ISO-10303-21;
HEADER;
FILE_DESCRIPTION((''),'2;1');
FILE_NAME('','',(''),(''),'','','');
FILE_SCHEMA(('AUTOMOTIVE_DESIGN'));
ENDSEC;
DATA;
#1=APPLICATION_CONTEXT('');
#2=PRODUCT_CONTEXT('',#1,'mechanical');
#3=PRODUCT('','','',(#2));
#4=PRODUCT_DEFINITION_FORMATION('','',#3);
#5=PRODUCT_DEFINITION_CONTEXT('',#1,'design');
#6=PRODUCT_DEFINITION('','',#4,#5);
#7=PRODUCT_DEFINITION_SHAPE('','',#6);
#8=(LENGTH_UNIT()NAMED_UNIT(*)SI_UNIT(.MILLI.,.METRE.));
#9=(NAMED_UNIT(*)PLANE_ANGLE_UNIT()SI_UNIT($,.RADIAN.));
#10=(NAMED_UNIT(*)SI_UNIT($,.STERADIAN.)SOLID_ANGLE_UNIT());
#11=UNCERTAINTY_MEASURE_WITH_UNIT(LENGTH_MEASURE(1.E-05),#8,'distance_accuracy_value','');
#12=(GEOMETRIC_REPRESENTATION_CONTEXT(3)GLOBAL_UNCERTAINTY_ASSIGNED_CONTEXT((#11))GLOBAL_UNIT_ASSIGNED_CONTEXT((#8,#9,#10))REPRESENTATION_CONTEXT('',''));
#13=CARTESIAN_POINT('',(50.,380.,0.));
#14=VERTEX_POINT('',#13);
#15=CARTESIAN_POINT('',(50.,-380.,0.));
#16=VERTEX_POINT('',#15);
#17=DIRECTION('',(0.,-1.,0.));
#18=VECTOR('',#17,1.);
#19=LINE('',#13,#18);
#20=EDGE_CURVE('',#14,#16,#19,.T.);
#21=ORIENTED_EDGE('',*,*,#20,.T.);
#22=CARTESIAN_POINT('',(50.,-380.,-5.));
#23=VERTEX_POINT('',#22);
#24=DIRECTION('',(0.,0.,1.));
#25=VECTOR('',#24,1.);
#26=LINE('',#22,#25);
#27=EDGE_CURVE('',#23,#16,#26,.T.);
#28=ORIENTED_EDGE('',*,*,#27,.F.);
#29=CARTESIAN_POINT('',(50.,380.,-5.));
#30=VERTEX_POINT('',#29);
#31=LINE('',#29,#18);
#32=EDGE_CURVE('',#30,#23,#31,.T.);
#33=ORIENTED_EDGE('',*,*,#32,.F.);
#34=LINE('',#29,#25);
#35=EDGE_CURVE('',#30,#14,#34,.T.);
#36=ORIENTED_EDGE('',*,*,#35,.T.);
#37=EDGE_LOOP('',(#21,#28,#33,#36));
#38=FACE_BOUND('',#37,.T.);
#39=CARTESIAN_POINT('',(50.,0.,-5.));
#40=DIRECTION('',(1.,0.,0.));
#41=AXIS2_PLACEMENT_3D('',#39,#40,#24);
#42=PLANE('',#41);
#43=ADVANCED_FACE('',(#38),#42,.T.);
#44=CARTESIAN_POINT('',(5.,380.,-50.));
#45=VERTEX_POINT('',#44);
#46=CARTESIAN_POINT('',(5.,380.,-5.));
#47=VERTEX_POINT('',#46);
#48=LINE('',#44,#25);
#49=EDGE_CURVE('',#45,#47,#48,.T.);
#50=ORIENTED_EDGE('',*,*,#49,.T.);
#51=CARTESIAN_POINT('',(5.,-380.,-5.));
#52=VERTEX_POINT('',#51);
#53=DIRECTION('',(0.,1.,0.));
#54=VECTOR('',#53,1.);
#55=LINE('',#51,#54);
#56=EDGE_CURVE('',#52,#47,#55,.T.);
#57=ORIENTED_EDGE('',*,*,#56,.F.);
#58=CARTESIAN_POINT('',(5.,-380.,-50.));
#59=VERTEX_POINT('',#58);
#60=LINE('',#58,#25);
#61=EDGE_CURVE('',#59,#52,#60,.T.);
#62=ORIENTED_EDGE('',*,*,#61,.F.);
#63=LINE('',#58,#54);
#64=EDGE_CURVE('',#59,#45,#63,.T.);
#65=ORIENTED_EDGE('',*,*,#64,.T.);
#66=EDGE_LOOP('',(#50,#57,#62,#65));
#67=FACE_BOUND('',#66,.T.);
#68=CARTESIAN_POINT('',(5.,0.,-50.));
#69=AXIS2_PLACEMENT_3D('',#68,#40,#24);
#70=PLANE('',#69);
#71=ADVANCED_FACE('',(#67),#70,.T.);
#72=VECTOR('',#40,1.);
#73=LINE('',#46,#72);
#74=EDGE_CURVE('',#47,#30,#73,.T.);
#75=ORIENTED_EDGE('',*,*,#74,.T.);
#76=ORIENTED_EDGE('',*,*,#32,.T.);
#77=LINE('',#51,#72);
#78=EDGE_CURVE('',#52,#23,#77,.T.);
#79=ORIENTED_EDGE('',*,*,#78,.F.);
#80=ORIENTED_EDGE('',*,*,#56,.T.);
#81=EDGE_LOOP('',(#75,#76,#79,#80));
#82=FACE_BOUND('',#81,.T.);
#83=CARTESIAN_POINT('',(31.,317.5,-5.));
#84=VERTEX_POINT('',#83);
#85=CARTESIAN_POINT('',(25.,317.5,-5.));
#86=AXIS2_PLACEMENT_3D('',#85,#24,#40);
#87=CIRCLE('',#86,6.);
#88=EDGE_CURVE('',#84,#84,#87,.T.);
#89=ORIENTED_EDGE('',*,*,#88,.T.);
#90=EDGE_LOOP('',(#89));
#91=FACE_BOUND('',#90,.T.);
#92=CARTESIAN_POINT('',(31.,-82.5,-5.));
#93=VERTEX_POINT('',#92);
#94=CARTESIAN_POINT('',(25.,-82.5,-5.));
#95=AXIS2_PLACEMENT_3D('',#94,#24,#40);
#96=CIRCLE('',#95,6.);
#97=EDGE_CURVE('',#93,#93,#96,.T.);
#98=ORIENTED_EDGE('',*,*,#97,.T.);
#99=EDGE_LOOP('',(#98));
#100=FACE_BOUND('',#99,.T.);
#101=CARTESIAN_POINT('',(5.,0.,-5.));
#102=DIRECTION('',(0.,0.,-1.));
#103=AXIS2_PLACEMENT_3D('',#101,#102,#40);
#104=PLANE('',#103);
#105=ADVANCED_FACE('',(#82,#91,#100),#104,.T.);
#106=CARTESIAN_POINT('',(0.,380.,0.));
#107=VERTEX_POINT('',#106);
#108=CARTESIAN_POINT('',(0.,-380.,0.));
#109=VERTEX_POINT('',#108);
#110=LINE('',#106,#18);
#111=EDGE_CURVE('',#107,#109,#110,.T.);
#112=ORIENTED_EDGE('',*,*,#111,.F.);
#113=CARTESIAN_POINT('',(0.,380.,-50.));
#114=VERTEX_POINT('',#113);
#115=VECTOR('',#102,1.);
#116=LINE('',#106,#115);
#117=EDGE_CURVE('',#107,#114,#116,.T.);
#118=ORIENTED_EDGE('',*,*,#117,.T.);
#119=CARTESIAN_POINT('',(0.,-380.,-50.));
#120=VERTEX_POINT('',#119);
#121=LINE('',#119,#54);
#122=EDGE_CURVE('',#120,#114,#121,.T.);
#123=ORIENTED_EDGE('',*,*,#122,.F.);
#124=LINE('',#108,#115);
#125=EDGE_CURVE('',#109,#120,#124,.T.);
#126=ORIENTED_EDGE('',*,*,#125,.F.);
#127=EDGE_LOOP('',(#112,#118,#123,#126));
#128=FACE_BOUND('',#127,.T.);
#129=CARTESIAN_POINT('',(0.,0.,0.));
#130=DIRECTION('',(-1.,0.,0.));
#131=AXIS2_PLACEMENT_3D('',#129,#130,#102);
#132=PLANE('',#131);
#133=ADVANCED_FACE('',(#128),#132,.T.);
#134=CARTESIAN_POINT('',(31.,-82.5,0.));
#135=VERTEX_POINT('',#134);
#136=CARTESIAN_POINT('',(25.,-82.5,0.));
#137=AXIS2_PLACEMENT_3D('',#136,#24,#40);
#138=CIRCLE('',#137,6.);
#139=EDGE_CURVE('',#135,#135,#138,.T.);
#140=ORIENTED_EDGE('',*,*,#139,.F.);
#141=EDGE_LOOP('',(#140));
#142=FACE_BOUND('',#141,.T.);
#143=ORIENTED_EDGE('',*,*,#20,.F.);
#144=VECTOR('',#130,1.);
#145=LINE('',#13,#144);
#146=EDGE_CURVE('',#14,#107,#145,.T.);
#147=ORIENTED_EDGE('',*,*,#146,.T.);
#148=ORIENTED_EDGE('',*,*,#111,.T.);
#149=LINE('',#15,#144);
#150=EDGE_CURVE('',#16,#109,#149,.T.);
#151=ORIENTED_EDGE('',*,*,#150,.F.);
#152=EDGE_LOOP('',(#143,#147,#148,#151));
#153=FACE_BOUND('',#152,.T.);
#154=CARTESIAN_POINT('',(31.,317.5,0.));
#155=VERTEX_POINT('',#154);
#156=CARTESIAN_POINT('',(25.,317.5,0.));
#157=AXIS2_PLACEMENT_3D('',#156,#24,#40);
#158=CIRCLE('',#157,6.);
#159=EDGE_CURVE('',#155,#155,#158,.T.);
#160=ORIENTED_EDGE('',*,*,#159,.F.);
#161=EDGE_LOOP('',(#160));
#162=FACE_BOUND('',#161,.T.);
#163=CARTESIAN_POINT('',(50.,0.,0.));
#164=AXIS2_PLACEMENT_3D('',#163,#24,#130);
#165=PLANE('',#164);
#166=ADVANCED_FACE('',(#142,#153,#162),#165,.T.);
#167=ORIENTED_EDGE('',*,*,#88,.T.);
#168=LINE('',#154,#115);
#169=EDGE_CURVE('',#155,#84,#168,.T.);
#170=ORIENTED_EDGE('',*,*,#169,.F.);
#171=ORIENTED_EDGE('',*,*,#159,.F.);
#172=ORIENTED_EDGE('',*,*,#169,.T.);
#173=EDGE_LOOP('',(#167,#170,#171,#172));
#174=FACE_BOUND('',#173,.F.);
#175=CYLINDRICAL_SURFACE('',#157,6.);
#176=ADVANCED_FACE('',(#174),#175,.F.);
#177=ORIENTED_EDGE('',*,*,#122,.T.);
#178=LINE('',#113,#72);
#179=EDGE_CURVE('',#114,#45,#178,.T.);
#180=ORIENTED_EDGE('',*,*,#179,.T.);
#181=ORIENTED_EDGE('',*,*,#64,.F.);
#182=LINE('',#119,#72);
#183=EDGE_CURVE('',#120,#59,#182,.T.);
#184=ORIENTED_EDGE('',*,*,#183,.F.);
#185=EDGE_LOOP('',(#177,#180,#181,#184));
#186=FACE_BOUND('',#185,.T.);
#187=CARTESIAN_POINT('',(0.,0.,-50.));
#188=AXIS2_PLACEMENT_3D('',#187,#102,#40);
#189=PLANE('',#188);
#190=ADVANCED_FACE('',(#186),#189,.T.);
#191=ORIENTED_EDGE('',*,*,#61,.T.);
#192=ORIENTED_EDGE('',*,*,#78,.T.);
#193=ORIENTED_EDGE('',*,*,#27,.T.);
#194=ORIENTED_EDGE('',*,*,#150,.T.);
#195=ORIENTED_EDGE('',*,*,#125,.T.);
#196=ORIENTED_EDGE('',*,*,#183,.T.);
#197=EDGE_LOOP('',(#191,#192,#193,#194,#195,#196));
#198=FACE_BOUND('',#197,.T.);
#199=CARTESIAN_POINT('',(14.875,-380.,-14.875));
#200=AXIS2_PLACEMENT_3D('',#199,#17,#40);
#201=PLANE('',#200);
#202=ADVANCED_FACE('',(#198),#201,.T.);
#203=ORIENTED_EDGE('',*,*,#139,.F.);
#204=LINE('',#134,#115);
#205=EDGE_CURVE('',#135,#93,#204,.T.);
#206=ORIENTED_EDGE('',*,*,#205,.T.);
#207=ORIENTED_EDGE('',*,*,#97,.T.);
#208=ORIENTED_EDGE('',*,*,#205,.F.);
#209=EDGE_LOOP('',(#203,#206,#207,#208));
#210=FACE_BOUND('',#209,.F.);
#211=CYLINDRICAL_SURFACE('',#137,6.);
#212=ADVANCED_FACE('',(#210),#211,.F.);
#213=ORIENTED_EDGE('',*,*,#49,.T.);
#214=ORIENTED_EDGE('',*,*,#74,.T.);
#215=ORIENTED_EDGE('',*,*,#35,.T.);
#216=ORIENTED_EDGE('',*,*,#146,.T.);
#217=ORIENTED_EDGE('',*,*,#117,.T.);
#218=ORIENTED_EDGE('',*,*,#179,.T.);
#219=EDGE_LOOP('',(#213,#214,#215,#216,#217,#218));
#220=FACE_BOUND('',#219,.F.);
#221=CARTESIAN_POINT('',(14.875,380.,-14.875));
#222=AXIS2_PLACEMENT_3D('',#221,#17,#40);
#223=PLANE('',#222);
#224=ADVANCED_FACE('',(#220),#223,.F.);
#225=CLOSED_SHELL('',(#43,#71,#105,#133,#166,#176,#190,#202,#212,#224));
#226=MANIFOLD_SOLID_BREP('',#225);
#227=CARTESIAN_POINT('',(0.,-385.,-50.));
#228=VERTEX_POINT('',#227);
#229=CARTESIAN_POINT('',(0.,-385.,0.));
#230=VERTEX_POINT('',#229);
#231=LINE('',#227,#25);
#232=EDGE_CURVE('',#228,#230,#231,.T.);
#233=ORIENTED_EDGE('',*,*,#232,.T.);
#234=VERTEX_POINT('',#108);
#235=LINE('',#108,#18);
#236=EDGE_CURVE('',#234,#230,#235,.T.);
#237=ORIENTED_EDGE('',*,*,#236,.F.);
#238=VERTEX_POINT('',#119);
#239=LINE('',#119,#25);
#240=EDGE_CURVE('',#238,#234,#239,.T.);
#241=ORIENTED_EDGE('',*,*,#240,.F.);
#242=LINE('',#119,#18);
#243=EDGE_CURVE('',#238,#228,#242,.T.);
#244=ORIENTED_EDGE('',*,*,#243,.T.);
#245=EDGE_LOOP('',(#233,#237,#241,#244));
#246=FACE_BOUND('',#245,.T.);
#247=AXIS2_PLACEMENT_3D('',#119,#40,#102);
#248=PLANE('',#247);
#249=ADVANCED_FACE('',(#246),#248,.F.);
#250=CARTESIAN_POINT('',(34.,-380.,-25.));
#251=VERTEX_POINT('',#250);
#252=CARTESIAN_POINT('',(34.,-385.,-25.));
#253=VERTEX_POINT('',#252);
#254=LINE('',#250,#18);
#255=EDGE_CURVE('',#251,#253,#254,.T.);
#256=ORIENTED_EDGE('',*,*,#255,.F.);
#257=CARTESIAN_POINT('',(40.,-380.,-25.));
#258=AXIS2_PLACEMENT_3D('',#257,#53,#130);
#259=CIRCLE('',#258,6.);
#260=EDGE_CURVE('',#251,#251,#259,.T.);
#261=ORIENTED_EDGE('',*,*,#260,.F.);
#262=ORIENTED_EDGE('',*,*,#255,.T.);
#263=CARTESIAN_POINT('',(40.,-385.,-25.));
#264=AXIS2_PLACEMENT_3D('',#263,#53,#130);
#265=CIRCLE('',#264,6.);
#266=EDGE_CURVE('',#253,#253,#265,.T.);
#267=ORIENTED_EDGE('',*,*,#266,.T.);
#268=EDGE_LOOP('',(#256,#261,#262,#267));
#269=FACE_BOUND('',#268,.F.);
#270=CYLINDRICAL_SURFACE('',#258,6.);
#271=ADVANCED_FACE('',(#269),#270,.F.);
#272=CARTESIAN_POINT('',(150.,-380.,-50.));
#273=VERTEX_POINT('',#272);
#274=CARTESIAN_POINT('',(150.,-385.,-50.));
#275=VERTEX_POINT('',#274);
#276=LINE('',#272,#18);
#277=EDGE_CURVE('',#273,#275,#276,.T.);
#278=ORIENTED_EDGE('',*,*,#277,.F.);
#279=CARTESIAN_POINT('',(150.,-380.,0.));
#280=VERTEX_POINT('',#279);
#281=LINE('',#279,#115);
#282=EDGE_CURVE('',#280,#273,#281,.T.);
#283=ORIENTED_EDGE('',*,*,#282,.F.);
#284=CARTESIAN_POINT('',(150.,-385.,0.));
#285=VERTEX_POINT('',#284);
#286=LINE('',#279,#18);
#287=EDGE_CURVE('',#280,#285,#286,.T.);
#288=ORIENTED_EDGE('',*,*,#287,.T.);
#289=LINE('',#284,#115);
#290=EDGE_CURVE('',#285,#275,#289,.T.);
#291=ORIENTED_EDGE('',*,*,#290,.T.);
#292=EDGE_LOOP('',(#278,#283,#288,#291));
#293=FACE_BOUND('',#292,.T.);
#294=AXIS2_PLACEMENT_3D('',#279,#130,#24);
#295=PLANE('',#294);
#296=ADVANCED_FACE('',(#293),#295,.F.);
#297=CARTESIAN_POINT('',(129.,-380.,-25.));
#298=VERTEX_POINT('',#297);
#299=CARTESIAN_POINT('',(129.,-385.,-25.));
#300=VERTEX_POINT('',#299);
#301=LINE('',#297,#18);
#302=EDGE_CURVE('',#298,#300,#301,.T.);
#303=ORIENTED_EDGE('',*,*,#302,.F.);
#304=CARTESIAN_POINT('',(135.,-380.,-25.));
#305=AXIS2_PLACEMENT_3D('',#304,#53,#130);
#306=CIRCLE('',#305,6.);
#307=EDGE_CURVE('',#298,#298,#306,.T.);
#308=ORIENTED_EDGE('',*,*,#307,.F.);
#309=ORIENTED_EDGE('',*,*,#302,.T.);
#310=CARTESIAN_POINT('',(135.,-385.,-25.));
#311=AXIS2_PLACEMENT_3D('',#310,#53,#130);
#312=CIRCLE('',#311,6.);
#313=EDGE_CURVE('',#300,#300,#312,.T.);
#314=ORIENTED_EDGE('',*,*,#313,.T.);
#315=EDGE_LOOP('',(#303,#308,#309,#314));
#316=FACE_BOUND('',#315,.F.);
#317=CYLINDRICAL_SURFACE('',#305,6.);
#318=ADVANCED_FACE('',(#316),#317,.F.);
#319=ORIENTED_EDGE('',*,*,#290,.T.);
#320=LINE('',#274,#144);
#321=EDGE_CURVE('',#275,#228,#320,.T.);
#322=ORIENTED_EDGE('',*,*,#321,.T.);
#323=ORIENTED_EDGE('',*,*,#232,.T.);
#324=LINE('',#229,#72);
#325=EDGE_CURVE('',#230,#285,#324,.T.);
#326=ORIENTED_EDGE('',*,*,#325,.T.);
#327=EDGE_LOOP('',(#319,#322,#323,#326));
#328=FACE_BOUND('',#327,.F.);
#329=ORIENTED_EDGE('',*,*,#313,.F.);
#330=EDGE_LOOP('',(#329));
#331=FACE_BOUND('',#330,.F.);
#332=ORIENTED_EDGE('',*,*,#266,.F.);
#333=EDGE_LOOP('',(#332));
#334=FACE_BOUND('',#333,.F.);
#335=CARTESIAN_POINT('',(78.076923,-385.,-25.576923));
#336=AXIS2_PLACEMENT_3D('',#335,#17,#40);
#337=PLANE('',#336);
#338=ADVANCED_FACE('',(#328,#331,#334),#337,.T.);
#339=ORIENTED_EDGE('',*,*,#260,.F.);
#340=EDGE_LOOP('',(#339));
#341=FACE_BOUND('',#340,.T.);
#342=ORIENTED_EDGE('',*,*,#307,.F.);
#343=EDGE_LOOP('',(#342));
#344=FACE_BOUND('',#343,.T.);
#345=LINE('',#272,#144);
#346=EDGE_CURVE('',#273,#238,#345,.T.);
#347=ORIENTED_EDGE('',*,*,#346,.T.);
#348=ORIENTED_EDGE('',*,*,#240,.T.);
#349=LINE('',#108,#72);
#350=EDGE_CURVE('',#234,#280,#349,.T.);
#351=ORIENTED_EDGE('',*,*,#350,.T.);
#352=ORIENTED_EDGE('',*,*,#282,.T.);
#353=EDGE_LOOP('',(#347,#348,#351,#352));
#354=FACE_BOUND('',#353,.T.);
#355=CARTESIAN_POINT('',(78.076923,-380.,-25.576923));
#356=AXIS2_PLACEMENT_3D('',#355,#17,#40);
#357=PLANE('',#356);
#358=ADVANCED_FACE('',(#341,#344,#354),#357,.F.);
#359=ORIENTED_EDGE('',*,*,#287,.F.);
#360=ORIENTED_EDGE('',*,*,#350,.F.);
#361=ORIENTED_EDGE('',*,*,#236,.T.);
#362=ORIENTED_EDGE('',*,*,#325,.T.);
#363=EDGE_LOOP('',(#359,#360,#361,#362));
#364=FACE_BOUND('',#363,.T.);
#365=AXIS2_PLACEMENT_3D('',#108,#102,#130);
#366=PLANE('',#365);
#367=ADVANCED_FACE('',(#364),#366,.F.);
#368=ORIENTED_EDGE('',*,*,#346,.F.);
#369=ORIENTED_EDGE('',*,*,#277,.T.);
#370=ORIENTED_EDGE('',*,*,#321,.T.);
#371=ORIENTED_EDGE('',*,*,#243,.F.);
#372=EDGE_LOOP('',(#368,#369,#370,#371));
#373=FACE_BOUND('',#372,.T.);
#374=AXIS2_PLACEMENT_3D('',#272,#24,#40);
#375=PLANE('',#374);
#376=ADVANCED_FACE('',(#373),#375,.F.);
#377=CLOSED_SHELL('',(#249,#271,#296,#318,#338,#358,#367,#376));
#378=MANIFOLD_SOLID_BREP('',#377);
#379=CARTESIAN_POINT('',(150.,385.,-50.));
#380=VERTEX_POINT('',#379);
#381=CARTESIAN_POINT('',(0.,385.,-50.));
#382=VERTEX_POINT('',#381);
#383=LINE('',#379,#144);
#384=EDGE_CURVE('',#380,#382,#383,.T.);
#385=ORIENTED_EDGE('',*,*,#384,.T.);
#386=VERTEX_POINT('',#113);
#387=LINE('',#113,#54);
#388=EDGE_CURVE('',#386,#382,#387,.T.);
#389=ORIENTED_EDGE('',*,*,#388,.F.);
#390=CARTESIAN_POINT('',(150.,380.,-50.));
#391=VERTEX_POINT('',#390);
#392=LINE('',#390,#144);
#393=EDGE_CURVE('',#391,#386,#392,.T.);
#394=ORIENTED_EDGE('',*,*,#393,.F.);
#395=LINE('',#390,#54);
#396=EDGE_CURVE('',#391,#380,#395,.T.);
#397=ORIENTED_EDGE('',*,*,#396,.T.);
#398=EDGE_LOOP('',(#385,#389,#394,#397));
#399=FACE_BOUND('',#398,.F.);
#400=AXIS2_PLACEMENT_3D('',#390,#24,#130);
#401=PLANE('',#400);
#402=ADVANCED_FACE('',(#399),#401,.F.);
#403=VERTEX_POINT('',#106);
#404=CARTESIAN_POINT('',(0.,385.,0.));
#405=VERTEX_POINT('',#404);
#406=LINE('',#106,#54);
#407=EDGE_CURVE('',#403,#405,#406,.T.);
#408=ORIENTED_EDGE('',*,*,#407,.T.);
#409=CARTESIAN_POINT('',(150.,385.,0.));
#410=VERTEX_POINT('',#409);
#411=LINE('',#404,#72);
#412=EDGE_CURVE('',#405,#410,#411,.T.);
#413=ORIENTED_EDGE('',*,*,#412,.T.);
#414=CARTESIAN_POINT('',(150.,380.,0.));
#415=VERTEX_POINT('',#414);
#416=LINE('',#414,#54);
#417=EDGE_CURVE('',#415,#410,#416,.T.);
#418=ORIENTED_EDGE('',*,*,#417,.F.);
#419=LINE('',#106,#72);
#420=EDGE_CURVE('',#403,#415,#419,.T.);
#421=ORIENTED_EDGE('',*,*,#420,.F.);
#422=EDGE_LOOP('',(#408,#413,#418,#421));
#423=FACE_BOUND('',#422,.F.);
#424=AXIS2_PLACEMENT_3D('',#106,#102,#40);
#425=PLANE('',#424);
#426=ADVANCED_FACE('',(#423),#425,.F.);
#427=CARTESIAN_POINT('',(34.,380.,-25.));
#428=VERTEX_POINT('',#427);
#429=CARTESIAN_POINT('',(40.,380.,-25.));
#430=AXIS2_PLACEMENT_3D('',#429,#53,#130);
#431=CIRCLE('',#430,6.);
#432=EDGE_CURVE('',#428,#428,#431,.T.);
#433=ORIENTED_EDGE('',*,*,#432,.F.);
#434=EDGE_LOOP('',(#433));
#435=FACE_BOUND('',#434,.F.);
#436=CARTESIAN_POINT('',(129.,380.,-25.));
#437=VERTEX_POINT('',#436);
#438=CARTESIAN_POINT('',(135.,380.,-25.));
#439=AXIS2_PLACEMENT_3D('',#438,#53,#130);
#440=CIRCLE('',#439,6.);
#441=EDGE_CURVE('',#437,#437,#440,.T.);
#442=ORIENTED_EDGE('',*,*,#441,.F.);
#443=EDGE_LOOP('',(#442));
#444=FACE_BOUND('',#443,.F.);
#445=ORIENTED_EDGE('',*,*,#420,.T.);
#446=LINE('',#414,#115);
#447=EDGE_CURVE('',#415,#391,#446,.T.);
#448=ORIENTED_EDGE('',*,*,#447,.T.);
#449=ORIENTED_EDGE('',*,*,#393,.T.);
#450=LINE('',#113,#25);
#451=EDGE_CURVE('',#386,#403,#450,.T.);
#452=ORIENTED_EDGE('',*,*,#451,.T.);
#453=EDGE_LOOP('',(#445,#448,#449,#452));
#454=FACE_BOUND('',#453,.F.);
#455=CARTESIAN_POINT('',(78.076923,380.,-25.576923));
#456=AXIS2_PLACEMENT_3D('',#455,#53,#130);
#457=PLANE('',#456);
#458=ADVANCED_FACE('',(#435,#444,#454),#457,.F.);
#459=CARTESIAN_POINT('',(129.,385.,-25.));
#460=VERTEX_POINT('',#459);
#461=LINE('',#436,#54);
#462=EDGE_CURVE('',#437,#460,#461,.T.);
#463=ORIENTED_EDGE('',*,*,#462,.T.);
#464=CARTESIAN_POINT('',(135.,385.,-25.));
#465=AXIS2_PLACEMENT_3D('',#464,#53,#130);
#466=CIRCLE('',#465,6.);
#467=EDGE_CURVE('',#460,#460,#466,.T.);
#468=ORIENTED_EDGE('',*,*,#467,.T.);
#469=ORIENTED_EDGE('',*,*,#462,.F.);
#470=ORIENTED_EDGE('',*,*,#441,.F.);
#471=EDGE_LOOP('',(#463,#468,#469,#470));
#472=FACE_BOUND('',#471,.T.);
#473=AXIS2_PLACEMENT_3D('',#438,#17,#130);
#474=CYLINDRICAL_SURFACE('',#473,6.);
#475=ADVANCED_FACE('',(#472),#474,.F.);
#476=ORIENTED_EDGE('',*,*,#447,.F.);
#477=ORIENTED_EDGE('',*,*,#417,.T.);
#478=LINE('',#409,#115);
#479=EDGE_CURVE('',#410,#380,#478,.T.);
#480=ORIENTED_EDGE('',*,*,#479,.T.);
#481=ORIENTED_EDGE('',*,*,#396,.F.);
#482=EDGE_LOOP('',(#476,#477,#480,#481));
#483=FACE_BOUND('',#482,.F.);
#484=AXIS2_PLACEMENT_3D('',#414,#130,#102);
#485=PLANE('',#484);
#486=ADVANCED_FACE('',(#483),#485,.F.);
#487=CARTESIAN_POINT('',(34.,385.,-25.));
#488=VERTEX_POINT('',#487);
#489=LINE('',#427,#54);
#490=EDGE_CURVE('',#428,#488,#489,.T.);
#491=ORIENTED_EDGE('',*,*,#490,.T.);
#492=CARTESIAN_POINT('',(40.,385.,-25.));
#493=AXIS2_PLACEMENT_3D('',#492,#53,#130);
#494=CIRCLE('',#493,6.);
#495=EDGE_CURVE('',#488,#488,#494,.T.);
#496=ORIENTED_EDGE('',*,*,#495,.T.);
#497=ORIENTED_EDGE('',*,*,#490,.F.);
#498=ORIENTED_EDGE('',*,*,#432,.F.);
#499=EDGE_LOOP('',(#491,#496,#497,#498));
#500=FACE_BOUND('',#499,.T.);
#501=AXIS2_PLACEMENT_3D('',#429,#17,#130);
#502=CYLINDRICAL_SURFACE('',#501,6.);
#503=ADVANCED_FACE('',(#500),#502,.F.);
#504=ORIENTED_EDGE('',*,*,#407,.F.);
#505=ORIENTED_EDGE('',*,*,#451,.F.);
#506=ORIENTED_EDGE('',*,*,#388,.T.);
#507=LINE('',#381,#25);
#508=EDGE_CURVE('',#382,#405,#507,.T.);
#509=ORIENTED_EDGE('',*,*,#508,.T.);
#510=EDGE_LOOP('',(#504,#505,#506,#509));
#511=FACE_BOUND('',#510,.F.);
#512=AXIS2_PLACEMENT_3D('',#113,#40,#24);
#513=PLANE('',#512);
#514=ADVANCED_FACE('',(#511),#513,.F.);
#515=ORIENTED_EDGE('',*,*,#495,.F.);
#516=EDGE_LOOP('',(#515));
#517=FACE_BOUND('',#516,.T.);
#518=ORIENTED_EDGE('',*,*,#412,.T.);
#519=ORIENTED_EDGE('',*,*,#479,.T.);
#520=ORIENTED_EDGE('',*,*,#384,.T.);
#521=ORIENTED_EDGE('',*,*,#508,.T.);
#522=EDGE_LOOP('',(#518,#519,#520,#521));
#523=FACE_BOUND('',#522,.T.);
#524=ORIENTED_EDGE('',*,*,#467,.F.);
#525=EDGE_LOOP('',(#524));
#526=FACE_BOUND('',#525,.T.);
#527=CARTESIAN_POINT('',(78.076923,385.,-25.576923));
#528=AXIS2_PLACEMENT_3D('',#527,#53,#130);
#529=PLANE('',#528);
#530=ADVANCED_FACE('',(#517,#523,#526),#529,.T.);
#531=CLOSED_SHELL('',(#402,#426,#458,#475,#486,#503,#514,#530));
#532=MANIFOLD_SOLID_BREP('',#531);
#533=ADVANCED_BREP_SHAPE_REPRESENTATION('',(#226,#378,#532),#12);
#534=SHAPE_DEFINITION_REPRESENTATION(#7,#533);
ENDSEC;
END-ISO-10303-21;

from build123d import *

# Parameters (mm, degrees)
F1_DEPTH = 380
F2_R     = 6
F3_DEPTH = 5
F5_R     = 6
F6_DEPTH = 50.001


with BuildPart() as f1:
    # F0 (on Front) → F1 (new body, symmetric)
    with BuildSketch(Plane.XZ):
        Polygon((5, -5), (50, -5), (50, 0), (0, 0), (0, -50), (5, -50), align=None)
    extrude(amount=F1_DEPTH, both=True)

    # F5 (on face) → F6 (cut, through all)
    with BuildSketch(Plane.XY):
        with Locations((25, 317.5)):
            Circle(F5_R)
        with Locations((25, -82.5)):
            Circle(F5_R)
    extrude(amount=-F6_DEPTH, mode=Mode.SUBTRACT)


with BuildPart() as f3:
    # F2 (on face) → F3 (new body)
    with BuildSketch(Plane(origin=(0, 380, 0), x_dir=(-1, 0, 0), z_dir=(0, 1, 0))):
        Polygon((-50, 0), (-150, 0), (-150, -50), (-5, -50), (-5, -5), (-50, -5), align=None)
        with Locations((-135, -25)):
            Circle(F2_R, mode=Mode.SUBTRACT)
        with Locations((-40, -25)):
            Circle(F2_R, mode=Mode.SUBTRACT)
        Polygon((0, 0), (-50, 0), (-50, -5), (-5, -5), (-5, -50), (0, -50), align=None)
    extrude(amount=F3_DEPTH)


with BuildPart() as f4_1:
    # F4: instance of F3
    add(f3.part.mirror(Plane.XZ))


solid = Compound([f1.part, f3.part, f4_1.part])
